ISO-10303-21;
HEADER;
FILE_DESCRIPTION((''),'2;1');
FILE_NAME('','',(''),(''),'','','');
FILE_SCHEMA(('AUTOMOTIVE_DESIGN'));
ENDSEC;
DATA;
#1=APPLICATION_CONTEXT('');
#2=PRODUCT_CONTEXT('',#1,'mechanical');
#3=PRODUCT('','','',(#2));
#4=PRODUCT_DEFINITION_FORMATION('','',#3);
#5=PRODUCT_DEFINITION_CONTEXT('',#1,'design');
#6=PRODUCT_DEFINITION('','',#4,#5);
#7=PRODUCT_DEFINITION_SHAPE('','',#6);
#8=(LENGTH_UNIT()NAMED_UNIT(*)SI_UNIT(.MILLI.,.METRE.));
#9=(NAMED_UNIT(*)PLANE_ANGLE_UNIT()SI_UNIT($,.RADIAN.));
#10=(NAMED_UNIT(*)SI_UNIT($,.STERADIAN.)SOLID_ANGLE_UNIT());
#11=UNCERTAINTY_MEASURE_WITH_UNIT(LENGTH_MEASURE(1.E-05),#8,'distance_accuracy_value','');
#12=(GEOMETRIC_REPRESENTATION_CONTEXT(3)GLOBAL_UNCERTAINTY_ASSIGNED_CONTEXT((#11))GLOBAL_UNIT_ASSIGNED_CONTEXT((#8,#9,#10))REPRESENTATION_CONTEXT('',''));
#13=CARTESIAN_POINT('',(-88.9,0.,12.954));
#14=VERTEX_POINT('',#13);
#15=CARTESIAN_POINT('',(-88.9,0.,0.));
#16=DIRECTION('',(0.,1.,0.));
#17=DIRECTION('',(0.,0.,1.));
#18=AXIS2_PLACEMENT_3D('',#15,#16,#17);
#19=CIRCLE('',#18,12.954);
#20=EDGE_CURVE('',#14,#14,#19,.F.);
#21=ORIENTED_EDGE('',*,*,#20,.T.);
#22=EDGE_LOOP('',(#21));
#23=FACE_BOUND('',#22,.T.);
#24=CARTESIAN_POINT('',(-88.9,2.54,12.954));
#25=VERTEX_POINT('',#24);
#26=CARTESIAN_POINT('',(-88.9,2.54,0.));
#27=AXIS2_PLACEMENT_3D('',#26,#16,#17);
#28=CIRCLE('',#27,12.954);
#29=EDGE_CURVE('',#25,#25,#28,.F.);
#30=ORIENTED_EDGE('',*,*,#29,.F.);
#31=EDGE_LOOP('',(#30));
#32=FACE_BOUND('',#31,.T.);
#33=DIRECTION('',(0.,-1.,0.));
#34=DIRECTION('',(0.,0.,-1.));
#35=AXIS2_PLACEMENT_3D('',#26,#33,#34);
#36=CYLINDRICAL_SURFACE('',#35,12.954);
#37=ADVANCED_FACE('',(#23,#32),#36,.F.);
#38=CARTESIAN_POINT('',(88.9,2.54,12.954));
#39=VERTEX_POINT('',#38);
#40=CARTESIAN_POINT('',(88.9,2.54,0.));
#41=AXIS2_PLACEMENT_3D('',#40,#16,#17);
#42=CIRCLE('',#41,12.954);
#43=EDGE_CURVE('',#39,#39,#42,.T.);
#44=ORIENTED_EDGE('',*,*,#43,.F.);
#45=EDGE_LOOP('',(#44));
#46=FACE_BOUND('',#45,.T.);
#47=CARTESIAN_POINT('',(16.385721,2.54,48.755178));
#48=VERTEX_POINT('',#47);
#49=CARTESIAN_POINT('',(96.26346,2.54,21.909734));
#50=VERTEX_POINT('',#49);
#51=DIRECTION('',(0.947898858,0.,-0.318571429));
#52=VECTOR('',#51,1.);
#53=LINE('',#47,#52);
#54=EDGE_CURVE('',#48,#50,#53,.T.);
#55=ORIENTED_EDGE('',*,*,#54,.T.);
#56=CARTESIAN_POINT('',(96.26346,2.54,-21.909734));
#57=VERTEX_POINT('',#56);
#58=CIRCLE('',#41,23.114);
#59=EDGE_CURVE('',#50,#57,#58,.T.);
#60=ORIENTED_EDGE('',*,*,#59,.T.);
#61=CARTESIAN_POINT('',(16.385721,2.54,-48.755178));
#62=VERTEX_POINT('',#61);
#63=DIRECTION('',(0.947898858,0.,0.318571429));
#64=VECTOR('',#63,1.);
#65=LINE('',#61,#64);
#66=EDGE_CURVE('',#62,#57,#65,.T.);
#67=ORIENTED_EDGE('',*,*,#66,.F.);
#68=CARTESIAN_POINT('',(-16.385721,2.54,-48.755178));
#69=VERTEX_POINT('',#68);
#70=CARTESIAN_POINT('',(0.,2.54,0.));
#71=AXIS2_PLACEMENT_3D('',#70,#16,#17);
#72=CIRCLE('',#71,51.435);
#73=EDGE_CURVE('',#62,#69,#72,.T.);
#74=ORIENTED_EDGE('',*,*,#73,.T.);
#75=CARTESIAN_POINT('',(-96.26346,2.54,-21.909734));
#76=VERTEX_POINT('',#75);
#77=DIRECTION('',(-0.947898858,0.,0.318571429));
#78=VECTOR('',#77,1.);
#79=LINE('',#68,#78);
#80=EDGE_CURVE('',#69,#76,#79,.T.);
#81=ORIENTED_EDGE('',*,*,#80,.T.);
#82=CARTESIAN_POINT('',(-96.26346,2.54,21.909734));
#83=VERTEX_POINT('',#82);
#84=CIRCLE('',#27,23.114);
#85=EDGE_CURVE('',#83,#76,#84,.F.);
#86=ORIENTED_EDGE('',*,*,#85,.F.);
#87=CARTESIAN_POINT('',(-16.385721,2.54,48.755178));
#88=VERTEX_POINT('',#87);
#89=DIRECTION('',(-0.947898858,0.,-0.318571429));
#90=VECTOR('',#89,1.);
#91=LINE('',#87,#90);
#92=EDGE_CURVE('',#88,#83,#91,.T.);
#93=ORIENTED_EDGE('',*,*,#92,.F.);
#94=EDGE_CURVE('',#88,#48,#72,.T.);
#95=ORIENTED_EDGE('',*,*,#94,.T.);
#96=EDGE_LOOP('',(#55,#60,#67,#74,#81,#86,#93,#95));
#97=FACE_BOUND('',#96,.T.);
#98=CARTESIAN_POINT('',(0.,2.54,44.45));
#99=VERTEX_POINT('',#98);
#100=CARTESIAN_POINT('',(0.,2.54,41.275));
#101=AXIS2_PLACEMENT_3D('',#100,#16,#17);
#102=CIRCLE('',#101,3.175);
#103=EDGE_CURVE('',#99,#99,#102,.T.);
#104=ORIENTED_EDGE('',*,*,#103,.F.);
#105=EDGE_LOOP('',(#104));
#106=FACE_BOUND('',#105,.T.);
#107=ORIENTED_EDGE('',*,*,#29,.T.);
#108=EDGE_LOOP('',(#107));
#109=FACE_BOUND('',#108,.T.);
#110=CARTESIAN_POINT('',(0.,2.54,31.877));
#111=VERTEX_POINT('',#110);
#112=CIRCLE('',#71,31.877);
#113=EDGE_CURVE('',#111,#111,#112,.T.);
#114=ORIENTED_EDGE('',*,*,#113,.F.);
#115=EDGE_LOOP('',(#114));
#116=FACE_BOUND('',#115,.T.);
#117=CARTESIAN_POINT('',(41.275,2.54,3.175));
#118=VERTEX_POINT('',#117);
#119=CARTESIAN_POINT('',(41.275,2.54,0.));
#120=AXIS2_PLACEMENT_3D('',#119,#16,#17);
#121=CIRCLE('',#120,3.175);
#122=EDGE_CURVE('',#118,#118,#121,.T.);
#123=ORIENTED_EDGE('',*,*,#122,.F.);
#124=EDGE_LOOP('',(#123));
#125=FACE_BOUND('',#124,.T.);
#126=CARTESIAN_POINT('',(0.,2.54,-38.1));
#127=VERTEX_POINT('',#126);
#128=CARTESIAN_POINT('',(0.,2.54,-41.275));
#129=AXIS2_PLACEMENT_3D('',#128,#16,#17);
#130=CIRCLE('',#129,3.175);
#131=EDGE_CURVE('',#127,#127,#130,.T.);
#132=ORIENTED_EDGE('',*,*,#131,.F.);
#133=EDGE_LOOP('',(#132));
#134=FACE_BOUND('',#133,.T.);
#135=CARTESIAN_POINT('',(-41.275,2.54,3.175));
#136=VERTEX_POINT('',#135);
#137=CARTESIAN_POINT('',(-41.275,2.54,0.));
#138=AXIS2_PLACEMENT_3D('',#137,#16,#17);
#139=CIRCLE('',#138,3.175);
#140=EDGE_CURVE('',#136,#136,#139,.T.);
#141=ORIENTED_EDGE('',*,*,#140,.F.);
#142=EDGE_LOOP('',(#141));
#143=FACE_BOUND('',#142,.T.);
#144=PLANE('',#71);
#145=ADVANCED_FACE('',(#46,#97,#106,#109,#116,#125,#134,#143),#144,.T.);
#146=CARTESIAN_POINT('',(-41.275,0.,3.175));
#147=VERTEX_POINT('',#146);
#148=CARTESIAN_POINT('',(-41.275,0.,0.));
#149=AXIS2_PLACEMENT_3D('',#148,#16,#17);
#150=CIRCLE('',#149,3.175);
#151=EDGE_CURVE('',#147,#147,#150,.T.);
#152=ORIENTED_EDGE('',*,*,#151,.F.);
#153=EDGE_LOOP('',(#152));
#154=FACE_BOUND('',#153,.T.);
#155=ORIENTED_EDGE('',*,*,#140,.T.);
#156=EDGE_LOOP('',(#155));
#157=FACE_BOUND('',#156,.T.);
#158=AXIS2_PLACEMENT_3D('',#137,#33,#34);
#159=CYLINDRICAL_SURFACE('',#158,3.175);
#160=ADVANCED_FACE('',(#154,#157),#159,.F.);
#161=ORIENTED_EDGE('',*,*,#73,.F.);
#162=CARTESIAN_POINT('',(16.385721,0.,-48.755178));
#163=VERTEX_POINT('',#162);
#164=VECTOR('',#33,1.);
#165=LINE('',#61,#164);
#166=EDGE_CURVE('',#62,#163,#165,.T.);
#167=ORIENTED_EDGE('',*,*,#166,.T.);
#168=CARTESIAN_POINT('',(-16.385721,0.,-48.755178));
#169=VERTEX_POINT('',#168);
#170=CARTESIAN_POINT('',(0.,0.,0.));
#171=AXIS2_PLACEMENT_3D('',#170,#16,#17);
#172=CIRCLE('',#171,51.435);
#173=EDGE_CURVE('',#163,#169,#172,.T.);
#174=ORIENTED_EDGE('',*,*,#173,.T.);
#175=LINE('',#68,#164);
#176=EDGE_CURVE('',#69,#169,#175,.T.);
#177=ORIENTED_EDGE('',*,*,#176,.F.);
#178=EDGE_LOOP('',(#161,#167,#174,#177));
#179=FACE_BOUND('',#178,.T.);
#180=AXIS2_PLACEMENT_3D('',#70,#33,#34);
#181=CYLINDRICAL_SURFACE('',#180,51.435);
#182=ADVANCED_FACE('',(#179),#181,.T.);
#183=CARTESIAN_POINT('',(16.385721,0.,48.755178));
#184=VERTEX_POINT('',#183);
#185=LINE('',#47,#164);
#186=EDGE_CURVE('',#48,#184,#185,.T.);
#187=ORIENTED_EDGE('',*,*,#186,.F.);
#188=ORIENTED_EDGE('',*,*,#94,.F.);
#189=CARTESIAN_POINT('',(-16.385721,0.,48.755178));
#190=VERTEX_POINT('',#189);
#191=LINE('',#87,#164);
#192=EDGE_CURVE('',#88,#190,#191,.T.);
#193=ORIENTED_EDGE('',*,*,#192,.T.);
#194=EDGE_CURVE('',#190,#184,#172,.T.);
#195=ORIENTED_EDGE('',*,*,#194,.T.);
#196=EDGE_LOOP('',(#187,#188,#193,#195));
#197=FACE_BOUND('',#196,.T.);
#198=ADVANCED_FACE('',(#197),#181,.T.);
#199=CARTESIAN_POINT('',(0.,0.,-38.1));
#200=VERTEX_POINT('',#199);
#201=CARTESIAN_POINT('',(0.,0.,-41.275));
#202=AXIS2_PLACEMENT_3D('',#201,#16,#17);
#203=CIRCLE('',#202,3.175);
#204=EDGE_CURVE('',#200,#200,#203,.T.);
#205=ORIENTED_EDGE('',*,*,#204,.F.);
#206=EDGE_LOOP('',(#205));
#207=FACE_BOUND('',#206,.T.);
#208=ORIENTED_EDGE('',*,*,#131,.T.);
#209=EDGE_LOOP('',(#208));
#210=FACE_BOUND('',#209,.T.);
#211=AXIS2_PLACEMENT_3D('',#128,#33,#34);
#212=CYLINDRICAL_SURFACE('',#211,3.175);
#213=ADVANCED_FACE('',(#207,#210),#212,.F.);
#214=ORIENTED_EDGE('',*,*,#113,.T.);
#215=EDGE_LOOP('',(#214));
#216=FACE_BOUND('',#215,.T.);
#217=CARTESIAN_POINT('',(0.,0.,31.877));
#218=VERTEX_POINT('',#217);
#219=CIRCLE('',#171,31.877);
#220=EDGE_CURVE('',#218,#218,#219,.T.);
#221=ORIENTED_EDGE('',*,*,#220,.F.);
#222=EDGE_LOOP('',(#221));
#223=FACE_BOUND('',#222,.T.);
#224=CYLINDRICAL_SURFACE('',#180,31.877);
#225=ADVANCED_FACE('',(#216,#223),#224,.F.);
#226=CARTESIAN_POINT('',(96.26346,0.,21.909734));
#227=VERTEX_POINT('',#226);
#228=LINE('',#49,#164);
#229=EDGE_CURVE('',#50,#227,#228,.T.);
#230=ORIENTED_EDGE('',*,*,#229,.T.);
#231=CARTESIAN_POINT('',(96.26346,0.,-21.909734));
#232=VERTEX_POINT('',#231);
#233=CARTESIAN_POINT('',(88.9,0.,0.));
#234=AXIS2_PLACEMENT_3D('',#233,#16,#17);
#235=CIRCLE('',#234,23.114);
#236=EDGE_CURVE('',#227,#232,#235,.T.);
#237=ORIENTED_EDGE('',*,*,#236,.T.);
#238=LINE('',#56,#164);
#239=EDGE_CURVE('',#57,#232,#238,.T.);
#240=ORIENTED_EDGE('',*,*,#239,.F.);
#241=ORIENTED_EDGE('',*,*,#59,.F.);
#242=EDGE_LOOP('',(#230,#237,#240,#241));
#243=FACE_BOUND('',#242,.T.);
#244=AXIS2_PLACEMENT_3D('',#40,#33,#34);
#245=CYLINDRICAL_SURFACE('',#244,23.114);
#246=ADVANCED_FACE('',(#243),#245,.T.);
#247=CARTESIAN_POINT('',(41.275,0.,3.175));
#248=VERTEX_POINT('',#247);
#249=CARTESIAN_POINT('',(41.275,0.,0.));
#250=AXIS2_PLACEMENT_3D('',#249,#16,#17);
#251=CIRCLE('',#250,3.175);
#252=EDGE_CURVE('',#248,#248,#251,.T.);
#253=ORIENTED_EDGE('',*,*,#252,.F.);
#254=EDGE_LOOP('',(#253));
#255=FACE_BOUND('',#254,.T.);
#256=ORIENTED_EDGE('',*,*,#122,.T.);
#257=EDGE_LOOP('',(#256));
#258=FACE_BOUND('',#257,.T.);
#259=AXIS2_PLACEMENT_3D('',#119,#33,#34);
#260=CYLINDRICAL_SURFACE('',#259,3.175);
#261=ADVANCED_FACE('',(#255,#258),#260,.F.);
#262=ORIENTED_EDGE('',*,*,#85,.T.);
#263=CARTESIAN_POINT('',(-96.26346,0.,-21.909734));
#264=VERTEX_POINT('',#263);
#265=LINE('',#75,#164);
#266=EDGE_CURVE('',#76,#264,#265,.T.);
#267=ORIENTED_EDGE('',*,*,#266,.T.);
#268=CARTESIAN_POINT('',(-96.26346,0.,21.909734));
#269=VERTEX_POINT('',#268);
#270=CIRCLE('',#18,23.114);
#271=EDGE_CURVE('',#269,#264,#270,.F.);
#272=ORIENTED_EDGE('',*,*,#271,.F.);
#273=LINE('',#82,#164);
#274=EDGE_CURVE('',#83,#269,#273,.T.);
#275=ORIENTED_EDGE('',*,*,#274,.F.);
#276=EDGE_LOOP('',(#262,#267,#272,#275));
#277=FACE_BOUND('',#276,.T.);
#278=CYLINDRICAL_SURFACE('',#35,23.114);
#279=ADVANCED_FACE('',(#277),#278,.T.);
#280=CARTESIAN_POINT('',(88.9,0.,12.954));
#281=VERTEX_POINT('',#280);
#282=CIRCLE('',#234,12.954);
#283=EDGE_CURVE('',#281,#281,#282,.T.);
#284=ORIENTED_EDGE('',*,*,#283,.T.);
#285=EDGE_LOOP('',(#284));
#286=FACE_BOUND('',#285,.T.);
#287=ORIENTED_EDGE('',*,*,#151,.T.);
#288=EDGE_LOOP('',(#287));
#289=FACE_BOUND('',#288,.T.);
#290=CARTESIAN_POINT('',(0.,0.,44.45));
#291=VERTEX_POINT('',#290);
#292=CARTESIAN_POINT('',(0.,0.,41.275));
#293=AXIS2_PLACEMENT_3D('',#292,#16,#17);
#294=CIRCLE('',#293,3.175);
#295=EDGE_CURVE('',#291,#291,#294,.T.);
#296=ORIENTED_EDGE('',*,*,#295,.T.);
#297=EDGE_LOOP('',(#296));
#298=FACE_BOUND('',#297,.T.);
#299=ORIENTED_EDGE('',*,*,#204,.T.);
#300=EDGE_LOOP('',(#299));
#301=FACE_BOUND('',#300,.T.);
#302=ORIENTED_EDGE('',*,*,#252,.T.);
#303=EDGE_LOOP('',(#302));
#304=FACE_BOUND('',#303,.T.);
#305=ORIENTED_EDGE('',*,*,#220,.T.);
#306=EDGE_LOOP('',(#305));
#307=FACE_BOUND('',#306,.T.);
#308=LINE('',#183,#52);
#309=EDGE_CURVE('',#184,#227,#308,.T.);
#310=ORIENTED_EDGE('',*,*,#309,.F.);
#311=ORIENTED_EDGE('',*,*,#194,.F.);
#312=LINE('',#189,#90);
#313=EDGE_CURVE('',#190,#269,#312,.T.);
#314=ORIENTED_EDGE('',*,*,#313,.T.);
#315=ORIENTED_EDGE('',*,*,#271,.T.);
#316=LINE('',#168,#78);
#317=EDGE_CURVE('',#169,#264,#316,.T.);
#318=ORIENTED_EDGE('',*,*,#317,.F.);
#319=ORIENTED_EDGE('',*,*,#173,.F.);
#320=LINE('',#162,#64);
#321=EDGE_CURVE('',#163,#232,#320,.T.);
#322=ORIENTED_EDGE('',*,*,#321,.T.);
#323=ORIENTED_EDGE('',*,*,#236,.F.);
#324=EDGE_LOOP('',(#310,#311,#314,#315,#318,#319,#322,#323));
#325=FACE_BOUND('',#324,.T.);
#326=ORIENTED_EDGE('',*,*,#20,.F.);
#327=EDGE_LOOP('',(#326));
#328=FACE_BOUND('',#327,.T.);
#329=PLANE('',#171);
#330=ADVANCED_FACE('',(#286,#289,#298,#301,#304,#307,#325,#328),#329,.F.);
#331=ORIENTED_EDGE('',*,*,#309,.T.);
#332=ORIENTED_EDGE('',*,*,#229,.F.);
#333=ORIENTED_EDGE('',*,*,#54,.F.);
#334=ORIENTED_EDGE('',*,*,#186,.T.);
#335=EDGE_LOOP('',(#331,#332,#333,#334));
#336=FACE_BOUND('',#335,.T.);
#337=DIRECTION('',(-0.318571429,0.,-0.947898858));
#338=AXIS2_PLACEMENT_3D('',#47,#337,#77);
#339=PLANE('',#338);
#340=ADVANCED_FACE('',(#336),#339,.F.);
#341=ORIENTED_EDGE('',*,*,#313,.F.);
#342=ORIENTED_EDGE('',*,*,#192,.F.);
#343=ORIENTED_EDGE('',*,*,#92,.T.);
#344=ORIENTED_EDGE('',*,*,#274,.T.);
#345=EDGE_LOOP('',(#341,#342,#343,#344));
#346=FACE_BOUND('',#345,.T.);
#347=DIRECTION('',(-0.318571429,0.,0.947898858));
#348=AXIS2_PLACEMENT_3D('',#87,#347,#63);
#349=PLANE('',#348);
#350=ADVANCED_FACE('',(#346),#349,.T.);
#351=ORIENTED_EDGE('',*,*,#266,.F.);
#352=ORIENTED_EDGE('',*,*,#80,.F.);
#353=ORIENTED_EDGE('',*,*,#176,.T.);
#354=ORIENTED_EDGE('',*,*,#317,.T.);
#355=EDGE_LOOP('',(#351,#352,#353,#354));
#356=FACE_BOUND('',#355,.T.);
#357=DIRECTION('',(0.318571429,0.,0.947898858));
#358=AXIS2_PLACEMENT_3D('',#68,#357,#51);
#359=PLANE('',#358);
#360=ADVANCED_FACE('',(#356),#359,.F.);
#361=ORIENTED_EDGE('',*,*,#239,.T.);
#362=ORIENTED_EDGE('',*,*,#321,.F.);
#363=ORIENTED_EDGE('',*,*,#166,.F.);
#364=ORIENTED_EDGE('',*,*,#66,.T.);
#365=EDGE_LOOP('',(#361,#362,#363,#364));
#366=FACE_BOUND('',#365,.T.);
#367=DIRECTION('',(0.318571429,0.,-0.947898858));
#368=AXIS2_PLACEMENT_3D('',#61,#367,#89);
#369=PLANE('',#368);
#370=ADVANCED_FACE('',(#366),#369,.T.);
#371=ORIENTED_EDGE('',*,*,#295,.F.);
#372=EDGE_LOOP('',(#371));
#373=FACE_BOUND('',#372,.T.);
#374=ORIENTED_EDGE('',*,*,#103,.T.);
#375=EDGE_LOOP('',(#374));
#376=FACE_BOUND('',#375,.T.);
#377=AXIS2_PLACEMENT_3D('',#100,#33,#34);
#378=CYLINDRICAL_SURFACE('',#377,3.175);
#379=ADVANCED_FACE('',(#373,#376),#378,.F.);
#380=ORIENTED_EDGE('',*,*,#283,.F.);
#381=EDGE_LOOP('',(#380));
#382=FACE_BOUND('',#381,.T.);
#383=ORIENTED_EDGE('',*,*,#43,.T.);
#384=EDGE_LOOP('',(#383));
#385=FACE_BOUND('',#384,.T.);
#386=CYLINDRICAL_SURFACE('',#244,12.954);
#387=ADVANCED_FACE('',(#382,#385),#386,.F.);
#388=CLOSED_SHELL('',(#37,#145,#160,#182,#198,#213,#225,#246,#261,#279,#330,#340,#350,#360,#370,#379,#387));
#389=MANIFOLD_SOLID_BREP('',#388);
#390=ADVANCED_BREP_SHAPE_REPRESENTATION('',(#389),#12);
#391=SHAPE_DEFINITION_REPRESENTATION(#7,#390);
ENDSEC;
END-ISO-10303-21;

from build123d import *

# Parameters (mm, degrees)
SKETCH1_R           = 3.175
SKETCH1_R_2         = 12.954
SKETCH1_R_3         = 31.877
BOSS_EXTRUDE1_DEPTH = 2.54


with BuildPart() as part:
    # Sketch1 → Boss-Extrude1 (new body)
    with BuildSketch(Plane(origin=(0, 0, 0), x_dir=(1, 0, 0), z_dir=(0, 1, 0))):
        with BuildLine():
            Line((96.26346, 21.909734203), (16.385721429, 48.755177759))
            ThreePointArc((16.385721429, 48.755177759), (0, 51.435), (-16.385721429, 48.755177759))
            Line((-16.385721429, 48.755177759), (-96.26346, 21.909734203))
            ThreePointArc((-96.26346, 21.909734203), (-112.014, 0), (-96.26346, -21.909734203))
            Line((-96.26346, -21.909734203), (-16.385721429, -48.755177759))
            ThreePointArc((-16.385721429, -48.755177759), (0, -51.435), (16.385721429, -48.755177759))
            Line((16.385721429, -48.755177759), (96.26346, -21.909734203))
            ThreePointArc((96.26346, -21.909734203), (112.014, 0), (96.26346, 21.909734203))
        make_face()
        with Locations(Location((-41.275, 0, 0), (0, 0, 270))):
            Circle(SKETCH1_R, mode=Mode.SUBTRACT)
        with Locations(Location((0, -41.275, 0), (0, 0, 270))):
            Circle(SKETCH1_R, mode=Mode.SUBTRACT)
        with Locations(Location((-88.9, 0, 0), (0, 0, 270))):
            Circle(SKETCH1_R_2, mode=Mode.SUBTRACT)
        with Locations(Location((0, 0, 0), (0, 0, 270))):
            Circle(SKETCH1_R_3, mode=Mode.SUBTRACT)
        with Locations(Location((41.275, 0, 0), (0, 0, 270))):
            Circle(SKETCH1_R, mode=Mode.SUBTRACT)
        with Locations(Location((88.9, 0, 0), (0, 0, 270))):
            Circle(SKETCH1_R_2, mode=Mode.SUBTRACT)
        with Locations(Location((0, 41.275, 0), (0, 0, 270))):
            Circle(SKETCH1_R, mode=Mode.SUBTRACT)
    extrude(amount=BOSS_EXTRUDE1_DEPTH)


solid = part.part
